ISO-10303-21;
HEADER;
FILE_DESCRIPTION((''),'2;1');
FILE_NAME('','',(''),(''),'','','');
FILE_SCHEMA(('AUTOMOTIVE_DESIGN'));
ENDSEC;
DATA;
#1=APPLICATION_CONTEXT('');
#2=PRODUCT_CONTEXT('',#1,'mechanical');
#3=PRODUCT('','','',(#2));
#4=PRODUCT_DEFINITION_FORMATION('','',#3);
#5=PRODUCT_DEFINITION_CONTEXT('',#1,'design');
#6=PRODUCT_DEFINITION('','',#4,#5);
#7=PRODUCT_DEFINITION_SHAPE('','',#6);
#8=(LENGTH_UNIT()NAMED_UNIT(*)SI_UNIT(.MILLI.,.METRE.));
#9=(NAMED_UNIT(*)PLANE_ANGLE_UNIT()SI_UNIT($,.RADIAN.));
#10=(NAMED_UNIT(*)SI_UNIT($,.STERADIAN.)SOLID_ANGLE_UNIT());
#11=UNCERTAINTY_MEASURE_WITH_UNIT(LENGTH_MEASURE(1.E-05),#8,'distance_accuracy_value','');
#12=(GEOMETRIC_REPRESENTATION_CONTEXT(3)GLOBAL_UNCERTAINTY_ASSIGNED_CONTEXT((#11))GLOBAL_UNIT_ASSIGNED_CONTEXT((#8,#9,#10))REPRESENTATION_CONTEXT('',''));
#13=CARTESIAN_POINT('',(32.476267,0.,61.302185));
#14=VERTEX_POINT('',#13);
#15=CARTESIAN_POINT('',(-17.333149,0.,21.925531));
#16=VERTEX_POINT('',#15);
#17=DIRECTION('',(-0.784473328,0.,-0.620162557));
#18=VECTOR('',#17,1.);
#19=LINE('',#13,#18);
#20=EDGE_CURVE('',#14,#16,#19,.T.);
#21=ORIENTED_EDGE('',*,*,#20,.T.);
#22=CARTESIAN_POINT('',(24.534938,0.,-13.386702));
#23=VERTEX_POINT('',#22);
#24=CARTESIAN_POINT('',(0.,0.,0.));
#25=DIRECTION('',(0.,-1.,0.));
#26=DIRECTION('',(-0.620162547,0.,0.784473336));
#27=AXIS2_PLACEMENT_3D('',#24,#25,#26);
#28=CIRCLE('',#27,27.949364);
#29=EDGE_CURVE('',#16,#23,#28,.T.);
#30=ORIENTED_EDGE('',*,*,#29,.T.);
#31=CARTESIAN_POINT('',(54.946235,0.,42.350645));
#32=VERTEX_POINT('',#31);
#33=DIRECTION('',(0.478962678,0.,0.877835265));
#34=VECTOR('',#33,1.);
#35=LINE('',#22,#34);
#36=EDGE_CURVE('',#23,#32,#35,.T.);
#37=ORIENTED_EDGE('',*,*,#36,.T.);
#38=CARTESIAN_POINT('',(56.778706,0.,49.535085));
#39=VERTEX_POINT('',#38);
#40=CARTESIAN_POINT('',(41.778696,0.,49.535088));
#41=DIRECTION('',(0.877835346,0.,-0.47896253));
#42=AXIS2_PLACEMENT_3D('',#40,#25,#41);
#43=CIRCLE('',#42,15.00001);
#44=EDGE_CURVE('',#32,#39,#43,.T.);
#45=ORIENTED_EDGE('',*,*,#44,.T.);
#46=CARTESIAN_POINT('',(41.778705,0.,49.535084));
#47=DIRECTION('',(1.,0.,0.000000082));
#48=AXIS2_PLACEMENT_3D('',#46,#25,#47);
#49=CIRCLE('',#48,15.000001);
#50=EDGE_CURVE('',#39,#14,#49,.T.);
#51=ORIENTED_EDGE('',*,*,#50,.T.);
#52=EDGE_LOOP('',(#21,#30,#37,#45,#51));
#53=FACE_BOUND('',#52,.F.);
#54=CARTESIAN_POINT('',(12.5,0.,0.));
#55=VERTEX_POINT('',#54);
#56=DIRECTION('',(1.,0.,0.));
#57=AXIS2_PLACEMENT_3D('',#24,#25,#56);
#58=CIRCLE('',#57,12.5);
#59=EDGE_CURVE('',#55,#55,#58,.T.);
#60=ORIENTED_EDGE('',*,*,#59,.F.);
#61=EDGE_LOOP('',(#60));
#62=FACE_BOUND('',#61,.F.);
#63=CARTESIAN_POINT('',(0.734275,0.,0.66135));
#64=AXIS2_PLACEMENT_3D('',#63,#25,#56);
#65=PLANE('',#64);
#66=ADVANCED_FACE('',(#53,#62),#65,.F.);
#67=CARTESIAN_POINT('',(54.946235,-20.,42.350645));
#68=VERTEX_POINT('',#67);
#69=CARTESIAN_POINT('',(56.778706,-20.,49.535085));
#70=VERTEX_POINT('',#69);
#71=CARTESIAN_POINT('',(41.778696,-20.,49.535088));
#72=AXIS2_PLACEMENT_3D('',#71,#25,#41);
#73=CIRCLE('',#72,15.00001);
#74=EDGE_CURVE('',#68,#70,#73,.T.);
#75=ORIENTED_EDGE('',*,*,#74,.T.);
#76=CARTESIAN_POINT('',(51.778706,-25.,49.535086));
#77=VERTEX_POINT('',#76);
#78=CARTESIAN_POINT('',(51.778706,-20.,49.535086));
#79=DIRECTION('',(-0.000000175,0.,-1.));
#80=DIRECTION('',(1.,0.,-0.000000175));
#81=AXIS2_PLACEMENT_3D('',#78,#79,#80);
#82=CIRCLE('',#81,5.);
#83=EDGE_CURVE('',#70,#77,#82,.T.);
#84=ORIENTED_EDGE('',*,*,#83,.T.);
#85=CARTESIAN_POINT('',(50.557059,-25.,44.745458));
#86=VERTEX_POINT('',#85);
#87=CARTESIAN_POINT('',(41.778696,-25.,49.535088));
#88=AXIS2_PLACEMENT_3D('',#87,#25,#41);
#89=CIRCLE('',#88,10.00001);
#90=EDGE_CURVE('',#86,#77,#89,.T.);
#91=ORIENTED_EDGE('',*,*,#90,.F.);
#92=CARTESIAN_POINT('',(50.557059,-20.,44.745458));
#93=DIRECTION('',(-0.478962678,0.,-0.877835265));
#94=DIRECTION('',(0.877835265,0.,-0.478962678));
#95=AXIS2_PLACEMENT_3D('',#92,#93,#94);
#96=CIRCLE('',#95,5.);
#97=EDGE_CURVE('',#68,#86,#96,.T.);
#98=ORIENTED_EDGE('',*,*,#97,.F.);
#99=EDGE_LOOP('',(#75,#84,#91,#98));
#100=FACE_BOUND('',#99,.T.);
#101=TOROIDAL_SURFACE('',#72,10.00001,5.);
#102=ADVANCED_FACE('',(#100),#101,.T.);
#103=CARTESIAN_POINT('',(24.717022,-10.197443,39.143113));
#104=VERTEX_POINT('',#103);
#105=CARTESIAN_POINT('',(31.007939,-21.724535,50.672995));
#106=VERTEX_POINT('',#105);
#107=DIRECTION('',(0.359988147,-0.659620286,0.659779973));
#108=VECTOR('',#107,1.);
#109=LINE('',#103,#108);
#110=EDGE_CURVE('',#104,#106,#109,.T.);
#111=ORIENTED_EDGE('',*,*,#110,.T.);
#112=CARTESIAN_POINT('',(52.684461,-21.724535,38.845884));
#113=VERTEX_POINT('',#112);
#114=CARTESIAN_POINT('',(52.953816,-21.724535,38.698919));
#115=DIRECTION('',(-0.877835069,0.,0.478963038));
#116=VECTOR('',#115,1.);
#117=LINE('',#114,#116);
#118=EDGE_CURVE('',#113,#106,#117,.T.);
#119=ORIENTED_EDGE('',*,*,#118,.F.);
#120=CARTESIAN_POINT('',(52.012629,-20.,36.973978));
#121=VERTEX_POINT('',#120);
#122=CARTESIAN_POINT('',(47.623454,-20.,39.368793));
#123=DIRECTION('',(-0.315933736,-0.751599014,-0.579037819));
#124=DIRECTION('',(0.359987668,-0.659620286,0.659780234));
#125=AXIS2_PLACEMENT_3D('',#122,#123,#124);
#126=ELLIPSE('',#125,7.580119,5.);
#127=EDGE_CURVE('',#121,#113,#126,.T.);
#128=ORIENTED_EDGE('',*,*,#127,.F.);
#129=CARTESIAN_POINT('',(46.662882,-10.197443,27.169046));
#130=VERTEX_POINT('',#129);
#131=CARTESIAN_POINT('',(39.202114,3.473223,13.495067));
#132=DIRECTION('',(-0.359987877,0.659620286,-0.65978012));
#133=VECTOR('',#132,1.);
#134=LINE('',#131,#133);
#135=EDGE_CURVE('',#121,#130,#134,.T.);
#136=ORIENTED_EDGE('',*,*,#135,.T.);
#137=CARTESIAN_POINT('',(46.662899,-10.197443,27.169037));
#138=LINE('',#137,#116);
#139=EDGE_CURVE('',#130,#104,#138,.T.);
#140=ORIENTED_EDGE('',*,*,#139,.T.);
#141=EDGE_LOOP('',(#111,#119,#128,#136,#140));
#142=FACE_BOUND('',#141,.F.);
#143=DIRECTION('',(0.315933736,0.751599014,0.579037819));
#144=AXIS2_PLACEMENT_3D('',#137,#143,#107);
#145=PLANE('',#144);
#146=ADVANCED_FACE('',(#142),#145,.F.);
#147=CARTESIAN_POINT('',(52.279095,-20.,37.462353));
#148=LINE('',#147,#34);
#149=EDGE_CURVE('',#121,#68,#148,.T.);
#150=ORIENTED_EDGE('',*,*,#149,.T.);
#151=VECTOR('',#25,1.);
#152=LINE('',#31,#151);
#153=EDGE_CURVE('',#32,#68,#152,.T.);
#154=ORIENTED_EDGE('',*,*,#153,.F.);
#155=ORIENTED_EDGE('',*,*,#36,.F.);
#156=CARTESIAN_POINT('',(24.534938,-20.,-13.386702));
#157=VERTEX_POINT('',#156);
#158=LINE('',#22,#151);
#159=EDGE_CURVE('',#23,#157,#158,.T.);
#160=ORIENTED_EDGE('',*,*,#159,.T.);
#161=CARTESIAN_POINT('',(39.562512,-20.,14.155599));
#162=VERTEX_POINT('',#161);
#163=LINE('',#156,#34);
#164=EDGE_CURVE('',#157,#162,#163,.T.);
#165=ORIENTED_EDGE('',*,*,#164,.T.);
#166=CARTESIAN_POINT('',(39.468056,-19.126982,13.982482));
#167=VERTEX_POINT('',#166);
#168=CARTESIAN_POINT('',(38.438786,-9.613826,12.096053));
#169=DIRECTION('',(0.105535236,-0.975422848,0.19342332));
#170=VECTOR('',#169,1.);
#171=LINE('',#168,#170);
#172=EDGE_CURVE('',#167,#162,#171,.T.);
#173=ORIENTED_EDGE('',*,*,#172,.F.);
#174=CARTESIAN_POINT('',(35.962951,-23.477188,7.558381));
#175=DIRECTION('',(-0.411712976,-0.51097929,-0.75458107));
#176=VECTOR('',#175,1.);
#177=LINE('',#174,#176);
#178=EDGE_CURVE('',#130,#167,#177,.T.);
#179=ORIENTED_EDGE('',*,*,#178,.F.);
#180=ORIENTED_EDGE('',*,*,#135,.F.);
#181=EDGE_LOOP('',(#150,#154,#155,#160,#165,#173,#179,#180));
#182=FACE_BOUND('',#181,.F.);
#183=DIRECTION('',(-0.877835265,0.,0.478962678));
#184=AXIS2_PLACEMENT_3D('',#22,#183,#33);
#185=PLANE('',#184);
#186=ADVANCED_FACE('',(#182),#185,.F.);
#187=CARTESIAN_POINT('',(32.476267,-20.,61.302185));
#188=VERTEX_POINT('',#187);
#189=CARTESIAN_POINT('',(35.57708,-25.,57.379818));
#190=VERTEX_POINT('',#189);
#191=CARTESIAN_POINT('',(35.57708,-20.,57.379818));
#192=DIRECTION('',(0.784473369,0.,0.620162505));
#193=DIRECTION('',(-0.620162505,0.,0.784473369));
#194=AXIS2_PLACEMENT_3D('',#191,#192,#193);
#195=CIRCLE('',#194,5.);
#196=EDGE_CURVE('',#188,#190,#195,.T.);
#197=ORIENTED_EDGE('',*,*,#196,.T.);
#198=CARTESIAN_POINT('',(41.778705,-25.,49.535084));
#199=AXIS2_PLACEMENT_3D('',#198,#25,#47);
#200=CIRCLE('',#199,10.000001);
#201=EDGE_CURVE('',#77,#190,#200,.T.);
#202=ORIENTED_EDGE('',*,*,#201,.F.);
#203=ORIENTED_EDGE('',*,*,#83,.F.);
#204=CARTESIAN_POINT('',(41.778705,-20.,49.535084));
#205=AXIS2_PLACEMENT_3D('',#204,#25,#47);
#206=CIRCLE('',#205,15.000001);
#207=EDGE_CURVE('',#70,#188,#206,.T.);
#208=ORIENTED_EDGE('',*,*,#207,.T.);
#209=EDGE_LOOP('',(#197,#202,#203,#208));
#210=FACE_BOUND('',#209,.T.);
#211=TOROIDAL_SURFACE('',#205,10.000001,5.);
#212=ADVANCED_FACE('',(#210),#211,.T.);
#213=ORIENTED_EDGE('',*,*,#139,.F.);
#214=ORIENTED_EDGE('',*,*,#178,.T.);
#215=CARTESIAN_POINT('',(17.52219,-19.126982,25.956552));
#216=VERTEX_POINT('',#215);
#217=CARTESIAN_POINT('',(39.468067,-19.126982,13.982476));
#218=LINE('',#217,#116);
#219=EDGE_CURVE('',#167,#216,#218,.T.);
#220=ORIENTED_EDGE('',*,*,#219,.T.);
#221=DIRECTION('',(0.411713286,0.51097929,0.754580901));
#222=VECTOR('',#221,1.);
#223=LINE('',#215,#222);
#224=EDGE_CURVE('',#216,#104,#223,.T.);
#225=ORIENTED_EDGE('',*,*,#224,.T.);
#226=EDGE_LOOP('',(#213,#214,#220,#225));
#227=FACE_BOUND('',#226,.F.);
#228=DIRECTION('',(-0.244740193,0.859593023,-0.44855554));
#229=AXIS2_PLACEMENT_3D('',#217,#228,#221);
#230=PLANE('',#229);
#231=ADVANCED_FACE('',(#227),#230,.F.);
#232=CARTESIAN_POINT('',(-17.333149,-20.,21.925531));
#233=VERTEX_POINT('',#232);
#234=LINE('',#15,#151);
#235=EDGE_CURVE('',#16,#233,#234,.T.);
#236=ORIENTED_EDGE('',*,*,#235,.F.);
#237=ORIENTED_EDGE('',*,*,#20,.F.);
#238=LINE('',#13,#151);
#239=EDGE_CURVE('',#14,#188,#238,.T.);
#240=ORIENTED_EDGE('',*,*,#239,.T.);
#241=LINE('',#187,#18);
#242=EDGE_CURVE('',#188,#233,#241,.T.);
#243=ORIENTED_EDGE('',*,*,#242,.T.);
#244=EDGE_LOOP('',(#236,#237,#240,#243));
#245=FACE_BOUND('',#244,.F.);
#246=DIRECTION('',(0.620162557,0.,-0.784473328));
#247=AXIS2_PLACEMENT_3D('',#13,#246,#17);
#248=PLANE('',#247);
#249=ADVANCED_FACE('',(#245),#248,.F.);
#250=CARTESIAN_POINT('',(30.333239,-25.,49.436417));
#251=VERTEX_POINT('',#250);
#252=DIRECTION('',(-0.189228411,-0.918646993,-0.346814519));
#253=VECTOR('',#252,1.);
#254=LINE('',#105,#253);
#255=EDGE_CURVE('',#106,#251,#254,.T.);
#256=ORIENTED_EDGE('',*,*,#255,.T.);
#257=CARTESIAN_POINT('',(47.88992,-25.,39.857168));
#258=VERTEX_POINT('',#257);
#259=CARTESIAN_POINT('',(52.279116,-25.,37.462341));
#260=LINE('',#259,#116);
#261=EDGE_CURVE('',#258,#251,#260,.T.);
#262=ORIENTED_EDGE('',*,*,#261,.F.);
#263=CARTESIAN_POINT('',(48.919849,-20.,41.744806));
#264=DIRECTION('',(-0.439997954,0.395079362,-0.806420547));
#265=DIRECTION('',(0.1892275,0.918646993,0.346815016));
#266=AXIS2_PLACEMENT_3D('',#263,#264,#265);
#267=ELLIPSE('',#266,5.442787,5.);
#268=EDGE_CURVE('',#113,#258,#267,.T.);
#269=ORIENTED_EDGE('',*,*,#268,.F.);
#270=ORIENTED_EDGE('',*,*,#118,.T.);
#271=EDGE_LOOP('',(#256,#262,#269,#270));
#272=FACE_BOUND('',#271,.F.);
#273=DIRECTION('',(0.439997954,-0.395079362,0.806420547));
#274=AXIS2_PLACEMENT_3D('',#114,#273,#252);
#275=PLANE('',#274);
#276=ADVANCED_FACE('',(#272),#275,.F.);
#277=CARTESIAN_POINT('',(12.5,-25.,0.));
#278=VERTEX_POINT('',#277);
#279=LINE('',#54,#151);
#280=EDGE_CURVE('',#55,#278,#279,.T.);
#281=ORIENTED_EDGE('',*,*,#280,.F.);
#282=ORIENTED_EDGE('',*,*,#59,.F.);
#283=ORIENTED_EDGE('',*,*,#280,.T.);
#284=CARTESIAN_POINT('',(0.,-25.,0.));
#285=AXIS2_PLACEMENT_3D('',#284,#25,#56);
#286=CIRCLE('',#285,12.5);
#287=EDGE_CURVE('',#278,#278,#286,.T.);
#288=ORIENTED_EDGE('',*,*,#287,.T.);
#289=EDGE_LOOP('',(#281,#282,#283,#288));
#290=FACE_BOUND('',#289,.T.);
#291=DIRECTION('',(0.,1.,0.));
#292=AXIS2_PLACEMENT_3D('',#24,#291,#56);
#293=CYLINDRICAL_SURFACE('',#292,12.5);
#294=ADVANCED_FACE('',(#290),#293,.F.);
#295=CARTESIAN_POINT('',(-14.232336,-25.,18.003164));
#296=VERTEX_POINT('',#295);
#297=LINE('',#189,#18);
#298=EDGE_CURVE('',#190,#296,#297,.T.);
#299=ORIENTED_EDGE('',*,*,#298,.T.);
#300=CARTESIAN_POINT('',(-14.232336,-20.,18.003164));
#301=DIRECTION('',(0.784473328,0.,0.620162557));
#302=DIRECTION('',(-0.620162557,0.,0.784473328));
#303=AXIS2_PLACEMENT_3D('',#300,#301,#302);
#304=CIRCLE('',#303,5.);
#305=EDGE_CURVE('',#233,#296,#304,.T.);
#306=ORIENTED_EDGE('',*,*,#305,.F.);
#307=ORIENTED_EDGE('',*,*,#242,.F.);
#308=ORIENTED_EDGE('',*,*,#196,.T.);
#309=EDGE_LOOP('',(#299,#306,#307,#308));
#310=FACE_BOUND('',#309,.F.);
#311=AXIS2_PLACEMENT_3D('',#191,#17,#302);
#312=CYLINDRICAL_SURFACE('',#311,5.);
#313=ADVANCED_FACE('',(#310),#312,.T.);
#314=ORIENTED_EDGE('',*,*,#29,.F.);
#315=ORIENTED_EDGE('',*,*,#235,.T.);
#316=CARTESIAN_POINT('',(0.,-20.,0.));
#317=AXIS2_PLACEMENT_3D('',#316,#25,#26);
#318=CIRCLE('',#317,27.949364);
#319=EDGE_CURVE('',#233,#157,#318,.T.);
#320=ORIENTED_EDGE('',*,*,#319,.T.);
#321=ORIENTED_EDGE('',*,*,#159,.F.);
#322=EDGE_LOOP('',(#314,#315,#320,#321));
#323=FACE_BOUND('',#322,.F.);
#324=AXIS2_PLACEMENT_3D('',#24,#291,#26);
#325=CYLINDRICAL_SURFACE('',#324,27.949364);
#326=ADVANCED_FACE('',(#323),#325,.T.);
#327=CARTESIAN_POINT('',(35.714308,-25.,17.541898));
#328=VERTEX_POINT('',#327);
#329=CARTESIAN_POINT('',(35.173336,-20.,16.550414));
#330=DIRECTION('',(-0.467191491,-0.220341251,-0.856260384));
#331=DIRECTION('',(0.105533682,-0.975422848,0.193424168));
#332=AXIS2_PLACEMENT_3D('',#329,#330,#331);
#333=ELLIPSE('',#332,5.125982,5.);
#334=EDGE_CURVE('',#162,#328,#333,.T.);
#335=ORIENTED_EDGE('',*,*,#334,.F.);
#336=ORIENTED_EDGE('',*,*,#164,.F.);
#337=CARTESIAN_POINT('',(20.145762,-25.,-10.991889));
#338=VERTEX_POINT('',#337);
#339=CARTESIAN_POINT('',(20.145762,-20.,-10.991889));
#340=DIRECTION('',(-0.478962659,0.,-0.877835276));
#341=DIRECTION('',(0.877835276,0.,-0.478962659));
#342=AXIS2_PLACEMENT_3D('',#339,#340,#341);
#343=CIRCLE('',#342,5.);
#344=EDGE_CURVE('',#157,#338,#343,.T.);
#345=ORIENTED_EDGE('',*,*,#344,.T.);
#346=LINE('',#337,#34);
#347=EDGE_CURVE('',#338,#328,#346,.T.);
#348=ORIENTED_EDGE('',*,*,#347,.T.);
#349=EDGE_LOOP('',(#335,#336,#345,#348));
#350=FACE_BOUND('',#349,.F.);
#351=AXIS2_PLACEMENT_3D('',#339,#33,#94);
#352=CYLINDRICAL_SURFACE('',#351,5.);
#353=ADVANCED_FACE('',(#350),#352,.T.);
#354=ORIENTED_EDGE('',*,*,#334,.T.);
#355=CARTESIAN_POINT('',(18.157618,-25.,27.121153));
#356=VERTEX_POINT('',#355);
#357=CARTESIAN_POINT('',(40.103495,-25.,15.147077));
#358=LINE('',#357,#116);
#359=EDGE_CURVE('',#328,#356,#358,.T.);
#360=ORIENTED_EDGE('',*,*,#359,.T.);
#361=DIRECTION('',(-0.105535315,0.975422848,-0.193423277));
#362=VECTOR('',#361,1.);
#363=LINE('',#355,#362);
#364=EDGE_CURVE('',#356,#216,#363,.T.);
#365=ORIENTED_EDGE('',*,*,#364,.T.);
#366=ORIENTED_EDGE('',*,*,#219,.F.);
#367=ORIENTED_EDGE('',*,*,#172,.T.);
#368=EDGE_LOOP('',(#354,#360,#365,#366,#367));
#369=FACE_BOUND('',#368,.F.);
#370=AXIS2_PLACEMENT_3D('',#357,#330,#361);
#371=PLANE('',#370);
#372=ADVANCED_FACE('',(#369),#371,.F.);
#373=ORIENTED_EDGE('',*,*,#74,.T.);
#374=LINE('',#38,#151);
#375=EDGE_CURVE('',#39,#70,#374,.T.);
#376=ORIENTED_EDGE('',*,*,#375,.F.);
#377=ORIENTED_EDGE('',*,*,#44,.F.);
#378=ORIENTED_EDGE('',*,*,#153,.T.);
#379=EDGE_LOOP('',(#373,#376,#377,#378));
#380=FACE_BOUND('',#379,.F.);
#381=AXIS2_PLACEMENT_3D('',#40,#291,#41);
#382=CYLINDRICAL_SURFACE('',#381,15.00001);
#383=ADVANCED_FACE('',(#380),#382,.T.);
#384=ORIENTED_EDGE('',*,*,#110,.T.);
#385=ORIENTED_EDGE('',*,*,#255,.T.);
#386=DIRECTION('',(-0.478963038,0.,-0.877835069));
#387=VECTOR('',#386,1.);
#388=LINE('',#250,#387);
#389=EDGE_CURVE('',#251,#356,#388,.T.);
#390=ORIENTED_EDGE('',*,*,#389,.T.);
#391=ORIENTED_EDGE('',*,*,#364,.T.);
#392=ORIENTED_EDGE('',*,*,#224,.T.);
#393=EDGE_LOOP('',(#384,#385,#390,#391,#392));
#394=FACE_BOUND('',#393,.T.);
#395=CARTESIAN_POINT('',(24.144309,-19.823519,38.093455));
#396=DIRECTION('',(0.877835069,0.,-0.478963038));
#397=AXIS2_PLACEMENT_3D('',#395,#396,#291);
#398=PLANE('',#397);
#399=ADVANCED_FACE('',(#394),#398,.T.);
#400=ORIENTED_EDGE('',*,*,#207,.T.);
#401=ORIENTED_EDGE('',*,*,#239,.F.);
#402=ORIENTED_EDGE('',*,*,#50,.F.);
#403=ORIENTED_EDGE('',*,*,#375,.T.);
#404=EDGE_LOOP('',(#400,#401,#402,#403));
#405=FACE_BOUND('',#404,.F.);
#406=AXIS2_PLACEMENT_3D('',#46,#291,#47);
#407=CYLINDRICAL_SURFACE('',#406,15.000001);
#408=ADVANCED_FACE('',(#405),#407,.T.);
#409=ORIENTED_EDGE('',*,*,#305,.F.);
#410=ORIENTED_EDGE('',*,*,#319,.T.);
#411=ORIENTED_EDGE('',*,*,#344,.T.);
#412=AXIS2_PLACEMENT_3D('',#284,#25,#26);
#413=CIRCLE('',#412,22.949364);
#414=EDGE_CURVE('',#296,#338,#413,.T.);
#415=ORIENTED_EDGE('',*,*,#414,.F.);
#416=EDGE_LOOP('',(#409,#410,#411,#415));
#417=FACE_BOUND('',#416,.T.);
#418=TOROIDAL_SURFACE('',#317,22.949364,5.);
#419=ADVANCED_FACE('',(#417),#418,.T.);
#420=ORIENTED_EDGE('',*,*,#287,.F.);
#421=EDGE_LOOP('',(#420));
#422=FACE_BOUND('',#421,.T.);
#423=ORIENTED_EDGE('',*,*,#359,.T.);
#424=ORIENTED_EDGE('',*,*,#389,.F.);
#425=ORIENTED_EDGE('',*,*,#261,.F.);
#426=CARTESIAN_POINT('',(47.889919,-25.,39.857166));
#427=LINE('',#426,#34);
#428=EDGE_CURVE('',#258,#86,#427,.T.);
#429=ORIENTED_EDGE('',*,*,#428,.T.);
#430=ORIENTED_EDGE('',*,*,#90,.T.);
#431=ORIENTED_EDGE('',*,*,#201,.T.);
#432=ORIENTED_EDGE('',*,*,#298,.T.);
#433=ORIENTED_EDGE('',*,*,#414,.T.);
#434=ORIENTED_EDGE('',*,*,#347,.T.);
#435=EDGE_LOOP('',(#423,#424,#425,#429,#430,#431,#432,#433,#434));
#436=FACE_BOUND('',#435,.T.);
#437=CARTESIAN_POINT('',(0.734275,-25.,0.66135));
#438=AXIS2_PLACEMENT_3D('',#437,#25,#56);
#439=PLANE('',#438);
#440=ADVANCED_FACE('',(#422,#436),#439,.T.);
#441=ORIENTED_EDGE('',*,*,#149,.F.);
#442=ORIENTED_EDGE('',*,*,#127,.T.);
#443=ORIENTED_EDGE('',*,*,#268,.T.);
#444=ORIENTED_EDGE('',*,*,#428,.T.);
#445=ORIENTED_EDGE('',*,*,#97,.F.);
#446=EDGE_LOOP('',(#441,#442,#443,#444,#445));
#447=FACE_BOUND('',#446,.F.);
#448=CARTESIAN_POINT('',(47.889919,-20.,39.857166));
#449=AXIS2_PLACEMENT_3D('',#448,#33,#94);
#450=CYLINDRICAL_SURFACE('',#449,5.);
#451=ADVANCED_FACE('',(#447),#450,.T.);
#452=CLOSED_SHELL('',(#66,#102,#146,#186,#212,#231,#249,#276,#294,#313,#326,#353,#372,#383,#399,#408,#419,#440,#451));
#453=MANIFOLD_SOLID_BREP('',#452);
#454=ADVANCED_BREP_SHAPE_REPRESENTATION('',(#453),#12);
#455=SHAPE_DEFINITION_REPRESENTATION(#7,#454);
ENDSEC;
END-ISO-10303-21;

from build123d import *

# Parameters (mm, degrees)
F0_R     = 12.5
F1_DEPTH = 25
F3_DEPTH = 25
F4_R     = 5


with BuildPart() as f1:
    # F0 (on Front) → F1 (new body)
    with BuildSketch(Plane.XZ):
        with BuildLine():
            ThreePointArc((24.534938, -13.386702), (27.082309, -6.907643), (27.949365, 0))
            ThreePointArc((27.949365, 0), (12.18024, 25.15569), (-17.333149, 21.925531))
            ThreePointArc((-17.333149, 21.925531), (-18.01957, -21.364973), (24.534938, -13.386702))
        make_face()
        Circle(F0_R, mode=Mode.SUBTRACT)
        with BuildLine():
            ThreePointArc((-17.333149, 21.925531), (12.18024, 25.15569), (27.949365, 0))
            ThreePointArc((27.949365, 0), (27.082309, -6.907643), (24.534938, -13.386702))
            Line((24.534938, -13.386702), (54.946235, 42.350645))
            ThreePointArc((54.946235, 42.350645), (32.107876, 38.068828), (32.476267, 61.302185))
            Line((32.476267, 61.302185), (-17.333149, 21.925531))
        make_face()
        with BuildLine():
            ThreePointArc((56.778706, 49.535085), (48.315655, 63.035762), (32.476267, 61.302185))
            ThreePointArc((32.476267, 61.302185), (32.107876, 38.068828), (54.946235, 42.350645))
            ThreePointArc((54.946235, 42.350645), (56.31337, 45.827858), (56.778706, 49.535085))
        make_face()
    extrude(amount=F1_DEPTH)

    # F2 (on face) → F3 (cut)
    with BuildSketch(Plane(origin=(24.534938, 0, -13.386702), x_dir=(0, 1, 0), z_dir=(0.877835, 0, -0.478963))):
        Polygon((-19.126982, 31.178041), (-10.197443, 46.199725), (-21.724535, 59.334177), (-25, 57.925509), (-25, 32.504715), align=None)
    extrude(amount=-F3_DEPTH, mode=Mode.SUBTRACT)

    # F4
    f4_edges = [f1.edges().sort_by_distance(p)[0] for p in [
        (7.571559, -25, 41.613858),
    ]]
    fillet(f4_edges, radius=F4_R)


solid = f1.part
